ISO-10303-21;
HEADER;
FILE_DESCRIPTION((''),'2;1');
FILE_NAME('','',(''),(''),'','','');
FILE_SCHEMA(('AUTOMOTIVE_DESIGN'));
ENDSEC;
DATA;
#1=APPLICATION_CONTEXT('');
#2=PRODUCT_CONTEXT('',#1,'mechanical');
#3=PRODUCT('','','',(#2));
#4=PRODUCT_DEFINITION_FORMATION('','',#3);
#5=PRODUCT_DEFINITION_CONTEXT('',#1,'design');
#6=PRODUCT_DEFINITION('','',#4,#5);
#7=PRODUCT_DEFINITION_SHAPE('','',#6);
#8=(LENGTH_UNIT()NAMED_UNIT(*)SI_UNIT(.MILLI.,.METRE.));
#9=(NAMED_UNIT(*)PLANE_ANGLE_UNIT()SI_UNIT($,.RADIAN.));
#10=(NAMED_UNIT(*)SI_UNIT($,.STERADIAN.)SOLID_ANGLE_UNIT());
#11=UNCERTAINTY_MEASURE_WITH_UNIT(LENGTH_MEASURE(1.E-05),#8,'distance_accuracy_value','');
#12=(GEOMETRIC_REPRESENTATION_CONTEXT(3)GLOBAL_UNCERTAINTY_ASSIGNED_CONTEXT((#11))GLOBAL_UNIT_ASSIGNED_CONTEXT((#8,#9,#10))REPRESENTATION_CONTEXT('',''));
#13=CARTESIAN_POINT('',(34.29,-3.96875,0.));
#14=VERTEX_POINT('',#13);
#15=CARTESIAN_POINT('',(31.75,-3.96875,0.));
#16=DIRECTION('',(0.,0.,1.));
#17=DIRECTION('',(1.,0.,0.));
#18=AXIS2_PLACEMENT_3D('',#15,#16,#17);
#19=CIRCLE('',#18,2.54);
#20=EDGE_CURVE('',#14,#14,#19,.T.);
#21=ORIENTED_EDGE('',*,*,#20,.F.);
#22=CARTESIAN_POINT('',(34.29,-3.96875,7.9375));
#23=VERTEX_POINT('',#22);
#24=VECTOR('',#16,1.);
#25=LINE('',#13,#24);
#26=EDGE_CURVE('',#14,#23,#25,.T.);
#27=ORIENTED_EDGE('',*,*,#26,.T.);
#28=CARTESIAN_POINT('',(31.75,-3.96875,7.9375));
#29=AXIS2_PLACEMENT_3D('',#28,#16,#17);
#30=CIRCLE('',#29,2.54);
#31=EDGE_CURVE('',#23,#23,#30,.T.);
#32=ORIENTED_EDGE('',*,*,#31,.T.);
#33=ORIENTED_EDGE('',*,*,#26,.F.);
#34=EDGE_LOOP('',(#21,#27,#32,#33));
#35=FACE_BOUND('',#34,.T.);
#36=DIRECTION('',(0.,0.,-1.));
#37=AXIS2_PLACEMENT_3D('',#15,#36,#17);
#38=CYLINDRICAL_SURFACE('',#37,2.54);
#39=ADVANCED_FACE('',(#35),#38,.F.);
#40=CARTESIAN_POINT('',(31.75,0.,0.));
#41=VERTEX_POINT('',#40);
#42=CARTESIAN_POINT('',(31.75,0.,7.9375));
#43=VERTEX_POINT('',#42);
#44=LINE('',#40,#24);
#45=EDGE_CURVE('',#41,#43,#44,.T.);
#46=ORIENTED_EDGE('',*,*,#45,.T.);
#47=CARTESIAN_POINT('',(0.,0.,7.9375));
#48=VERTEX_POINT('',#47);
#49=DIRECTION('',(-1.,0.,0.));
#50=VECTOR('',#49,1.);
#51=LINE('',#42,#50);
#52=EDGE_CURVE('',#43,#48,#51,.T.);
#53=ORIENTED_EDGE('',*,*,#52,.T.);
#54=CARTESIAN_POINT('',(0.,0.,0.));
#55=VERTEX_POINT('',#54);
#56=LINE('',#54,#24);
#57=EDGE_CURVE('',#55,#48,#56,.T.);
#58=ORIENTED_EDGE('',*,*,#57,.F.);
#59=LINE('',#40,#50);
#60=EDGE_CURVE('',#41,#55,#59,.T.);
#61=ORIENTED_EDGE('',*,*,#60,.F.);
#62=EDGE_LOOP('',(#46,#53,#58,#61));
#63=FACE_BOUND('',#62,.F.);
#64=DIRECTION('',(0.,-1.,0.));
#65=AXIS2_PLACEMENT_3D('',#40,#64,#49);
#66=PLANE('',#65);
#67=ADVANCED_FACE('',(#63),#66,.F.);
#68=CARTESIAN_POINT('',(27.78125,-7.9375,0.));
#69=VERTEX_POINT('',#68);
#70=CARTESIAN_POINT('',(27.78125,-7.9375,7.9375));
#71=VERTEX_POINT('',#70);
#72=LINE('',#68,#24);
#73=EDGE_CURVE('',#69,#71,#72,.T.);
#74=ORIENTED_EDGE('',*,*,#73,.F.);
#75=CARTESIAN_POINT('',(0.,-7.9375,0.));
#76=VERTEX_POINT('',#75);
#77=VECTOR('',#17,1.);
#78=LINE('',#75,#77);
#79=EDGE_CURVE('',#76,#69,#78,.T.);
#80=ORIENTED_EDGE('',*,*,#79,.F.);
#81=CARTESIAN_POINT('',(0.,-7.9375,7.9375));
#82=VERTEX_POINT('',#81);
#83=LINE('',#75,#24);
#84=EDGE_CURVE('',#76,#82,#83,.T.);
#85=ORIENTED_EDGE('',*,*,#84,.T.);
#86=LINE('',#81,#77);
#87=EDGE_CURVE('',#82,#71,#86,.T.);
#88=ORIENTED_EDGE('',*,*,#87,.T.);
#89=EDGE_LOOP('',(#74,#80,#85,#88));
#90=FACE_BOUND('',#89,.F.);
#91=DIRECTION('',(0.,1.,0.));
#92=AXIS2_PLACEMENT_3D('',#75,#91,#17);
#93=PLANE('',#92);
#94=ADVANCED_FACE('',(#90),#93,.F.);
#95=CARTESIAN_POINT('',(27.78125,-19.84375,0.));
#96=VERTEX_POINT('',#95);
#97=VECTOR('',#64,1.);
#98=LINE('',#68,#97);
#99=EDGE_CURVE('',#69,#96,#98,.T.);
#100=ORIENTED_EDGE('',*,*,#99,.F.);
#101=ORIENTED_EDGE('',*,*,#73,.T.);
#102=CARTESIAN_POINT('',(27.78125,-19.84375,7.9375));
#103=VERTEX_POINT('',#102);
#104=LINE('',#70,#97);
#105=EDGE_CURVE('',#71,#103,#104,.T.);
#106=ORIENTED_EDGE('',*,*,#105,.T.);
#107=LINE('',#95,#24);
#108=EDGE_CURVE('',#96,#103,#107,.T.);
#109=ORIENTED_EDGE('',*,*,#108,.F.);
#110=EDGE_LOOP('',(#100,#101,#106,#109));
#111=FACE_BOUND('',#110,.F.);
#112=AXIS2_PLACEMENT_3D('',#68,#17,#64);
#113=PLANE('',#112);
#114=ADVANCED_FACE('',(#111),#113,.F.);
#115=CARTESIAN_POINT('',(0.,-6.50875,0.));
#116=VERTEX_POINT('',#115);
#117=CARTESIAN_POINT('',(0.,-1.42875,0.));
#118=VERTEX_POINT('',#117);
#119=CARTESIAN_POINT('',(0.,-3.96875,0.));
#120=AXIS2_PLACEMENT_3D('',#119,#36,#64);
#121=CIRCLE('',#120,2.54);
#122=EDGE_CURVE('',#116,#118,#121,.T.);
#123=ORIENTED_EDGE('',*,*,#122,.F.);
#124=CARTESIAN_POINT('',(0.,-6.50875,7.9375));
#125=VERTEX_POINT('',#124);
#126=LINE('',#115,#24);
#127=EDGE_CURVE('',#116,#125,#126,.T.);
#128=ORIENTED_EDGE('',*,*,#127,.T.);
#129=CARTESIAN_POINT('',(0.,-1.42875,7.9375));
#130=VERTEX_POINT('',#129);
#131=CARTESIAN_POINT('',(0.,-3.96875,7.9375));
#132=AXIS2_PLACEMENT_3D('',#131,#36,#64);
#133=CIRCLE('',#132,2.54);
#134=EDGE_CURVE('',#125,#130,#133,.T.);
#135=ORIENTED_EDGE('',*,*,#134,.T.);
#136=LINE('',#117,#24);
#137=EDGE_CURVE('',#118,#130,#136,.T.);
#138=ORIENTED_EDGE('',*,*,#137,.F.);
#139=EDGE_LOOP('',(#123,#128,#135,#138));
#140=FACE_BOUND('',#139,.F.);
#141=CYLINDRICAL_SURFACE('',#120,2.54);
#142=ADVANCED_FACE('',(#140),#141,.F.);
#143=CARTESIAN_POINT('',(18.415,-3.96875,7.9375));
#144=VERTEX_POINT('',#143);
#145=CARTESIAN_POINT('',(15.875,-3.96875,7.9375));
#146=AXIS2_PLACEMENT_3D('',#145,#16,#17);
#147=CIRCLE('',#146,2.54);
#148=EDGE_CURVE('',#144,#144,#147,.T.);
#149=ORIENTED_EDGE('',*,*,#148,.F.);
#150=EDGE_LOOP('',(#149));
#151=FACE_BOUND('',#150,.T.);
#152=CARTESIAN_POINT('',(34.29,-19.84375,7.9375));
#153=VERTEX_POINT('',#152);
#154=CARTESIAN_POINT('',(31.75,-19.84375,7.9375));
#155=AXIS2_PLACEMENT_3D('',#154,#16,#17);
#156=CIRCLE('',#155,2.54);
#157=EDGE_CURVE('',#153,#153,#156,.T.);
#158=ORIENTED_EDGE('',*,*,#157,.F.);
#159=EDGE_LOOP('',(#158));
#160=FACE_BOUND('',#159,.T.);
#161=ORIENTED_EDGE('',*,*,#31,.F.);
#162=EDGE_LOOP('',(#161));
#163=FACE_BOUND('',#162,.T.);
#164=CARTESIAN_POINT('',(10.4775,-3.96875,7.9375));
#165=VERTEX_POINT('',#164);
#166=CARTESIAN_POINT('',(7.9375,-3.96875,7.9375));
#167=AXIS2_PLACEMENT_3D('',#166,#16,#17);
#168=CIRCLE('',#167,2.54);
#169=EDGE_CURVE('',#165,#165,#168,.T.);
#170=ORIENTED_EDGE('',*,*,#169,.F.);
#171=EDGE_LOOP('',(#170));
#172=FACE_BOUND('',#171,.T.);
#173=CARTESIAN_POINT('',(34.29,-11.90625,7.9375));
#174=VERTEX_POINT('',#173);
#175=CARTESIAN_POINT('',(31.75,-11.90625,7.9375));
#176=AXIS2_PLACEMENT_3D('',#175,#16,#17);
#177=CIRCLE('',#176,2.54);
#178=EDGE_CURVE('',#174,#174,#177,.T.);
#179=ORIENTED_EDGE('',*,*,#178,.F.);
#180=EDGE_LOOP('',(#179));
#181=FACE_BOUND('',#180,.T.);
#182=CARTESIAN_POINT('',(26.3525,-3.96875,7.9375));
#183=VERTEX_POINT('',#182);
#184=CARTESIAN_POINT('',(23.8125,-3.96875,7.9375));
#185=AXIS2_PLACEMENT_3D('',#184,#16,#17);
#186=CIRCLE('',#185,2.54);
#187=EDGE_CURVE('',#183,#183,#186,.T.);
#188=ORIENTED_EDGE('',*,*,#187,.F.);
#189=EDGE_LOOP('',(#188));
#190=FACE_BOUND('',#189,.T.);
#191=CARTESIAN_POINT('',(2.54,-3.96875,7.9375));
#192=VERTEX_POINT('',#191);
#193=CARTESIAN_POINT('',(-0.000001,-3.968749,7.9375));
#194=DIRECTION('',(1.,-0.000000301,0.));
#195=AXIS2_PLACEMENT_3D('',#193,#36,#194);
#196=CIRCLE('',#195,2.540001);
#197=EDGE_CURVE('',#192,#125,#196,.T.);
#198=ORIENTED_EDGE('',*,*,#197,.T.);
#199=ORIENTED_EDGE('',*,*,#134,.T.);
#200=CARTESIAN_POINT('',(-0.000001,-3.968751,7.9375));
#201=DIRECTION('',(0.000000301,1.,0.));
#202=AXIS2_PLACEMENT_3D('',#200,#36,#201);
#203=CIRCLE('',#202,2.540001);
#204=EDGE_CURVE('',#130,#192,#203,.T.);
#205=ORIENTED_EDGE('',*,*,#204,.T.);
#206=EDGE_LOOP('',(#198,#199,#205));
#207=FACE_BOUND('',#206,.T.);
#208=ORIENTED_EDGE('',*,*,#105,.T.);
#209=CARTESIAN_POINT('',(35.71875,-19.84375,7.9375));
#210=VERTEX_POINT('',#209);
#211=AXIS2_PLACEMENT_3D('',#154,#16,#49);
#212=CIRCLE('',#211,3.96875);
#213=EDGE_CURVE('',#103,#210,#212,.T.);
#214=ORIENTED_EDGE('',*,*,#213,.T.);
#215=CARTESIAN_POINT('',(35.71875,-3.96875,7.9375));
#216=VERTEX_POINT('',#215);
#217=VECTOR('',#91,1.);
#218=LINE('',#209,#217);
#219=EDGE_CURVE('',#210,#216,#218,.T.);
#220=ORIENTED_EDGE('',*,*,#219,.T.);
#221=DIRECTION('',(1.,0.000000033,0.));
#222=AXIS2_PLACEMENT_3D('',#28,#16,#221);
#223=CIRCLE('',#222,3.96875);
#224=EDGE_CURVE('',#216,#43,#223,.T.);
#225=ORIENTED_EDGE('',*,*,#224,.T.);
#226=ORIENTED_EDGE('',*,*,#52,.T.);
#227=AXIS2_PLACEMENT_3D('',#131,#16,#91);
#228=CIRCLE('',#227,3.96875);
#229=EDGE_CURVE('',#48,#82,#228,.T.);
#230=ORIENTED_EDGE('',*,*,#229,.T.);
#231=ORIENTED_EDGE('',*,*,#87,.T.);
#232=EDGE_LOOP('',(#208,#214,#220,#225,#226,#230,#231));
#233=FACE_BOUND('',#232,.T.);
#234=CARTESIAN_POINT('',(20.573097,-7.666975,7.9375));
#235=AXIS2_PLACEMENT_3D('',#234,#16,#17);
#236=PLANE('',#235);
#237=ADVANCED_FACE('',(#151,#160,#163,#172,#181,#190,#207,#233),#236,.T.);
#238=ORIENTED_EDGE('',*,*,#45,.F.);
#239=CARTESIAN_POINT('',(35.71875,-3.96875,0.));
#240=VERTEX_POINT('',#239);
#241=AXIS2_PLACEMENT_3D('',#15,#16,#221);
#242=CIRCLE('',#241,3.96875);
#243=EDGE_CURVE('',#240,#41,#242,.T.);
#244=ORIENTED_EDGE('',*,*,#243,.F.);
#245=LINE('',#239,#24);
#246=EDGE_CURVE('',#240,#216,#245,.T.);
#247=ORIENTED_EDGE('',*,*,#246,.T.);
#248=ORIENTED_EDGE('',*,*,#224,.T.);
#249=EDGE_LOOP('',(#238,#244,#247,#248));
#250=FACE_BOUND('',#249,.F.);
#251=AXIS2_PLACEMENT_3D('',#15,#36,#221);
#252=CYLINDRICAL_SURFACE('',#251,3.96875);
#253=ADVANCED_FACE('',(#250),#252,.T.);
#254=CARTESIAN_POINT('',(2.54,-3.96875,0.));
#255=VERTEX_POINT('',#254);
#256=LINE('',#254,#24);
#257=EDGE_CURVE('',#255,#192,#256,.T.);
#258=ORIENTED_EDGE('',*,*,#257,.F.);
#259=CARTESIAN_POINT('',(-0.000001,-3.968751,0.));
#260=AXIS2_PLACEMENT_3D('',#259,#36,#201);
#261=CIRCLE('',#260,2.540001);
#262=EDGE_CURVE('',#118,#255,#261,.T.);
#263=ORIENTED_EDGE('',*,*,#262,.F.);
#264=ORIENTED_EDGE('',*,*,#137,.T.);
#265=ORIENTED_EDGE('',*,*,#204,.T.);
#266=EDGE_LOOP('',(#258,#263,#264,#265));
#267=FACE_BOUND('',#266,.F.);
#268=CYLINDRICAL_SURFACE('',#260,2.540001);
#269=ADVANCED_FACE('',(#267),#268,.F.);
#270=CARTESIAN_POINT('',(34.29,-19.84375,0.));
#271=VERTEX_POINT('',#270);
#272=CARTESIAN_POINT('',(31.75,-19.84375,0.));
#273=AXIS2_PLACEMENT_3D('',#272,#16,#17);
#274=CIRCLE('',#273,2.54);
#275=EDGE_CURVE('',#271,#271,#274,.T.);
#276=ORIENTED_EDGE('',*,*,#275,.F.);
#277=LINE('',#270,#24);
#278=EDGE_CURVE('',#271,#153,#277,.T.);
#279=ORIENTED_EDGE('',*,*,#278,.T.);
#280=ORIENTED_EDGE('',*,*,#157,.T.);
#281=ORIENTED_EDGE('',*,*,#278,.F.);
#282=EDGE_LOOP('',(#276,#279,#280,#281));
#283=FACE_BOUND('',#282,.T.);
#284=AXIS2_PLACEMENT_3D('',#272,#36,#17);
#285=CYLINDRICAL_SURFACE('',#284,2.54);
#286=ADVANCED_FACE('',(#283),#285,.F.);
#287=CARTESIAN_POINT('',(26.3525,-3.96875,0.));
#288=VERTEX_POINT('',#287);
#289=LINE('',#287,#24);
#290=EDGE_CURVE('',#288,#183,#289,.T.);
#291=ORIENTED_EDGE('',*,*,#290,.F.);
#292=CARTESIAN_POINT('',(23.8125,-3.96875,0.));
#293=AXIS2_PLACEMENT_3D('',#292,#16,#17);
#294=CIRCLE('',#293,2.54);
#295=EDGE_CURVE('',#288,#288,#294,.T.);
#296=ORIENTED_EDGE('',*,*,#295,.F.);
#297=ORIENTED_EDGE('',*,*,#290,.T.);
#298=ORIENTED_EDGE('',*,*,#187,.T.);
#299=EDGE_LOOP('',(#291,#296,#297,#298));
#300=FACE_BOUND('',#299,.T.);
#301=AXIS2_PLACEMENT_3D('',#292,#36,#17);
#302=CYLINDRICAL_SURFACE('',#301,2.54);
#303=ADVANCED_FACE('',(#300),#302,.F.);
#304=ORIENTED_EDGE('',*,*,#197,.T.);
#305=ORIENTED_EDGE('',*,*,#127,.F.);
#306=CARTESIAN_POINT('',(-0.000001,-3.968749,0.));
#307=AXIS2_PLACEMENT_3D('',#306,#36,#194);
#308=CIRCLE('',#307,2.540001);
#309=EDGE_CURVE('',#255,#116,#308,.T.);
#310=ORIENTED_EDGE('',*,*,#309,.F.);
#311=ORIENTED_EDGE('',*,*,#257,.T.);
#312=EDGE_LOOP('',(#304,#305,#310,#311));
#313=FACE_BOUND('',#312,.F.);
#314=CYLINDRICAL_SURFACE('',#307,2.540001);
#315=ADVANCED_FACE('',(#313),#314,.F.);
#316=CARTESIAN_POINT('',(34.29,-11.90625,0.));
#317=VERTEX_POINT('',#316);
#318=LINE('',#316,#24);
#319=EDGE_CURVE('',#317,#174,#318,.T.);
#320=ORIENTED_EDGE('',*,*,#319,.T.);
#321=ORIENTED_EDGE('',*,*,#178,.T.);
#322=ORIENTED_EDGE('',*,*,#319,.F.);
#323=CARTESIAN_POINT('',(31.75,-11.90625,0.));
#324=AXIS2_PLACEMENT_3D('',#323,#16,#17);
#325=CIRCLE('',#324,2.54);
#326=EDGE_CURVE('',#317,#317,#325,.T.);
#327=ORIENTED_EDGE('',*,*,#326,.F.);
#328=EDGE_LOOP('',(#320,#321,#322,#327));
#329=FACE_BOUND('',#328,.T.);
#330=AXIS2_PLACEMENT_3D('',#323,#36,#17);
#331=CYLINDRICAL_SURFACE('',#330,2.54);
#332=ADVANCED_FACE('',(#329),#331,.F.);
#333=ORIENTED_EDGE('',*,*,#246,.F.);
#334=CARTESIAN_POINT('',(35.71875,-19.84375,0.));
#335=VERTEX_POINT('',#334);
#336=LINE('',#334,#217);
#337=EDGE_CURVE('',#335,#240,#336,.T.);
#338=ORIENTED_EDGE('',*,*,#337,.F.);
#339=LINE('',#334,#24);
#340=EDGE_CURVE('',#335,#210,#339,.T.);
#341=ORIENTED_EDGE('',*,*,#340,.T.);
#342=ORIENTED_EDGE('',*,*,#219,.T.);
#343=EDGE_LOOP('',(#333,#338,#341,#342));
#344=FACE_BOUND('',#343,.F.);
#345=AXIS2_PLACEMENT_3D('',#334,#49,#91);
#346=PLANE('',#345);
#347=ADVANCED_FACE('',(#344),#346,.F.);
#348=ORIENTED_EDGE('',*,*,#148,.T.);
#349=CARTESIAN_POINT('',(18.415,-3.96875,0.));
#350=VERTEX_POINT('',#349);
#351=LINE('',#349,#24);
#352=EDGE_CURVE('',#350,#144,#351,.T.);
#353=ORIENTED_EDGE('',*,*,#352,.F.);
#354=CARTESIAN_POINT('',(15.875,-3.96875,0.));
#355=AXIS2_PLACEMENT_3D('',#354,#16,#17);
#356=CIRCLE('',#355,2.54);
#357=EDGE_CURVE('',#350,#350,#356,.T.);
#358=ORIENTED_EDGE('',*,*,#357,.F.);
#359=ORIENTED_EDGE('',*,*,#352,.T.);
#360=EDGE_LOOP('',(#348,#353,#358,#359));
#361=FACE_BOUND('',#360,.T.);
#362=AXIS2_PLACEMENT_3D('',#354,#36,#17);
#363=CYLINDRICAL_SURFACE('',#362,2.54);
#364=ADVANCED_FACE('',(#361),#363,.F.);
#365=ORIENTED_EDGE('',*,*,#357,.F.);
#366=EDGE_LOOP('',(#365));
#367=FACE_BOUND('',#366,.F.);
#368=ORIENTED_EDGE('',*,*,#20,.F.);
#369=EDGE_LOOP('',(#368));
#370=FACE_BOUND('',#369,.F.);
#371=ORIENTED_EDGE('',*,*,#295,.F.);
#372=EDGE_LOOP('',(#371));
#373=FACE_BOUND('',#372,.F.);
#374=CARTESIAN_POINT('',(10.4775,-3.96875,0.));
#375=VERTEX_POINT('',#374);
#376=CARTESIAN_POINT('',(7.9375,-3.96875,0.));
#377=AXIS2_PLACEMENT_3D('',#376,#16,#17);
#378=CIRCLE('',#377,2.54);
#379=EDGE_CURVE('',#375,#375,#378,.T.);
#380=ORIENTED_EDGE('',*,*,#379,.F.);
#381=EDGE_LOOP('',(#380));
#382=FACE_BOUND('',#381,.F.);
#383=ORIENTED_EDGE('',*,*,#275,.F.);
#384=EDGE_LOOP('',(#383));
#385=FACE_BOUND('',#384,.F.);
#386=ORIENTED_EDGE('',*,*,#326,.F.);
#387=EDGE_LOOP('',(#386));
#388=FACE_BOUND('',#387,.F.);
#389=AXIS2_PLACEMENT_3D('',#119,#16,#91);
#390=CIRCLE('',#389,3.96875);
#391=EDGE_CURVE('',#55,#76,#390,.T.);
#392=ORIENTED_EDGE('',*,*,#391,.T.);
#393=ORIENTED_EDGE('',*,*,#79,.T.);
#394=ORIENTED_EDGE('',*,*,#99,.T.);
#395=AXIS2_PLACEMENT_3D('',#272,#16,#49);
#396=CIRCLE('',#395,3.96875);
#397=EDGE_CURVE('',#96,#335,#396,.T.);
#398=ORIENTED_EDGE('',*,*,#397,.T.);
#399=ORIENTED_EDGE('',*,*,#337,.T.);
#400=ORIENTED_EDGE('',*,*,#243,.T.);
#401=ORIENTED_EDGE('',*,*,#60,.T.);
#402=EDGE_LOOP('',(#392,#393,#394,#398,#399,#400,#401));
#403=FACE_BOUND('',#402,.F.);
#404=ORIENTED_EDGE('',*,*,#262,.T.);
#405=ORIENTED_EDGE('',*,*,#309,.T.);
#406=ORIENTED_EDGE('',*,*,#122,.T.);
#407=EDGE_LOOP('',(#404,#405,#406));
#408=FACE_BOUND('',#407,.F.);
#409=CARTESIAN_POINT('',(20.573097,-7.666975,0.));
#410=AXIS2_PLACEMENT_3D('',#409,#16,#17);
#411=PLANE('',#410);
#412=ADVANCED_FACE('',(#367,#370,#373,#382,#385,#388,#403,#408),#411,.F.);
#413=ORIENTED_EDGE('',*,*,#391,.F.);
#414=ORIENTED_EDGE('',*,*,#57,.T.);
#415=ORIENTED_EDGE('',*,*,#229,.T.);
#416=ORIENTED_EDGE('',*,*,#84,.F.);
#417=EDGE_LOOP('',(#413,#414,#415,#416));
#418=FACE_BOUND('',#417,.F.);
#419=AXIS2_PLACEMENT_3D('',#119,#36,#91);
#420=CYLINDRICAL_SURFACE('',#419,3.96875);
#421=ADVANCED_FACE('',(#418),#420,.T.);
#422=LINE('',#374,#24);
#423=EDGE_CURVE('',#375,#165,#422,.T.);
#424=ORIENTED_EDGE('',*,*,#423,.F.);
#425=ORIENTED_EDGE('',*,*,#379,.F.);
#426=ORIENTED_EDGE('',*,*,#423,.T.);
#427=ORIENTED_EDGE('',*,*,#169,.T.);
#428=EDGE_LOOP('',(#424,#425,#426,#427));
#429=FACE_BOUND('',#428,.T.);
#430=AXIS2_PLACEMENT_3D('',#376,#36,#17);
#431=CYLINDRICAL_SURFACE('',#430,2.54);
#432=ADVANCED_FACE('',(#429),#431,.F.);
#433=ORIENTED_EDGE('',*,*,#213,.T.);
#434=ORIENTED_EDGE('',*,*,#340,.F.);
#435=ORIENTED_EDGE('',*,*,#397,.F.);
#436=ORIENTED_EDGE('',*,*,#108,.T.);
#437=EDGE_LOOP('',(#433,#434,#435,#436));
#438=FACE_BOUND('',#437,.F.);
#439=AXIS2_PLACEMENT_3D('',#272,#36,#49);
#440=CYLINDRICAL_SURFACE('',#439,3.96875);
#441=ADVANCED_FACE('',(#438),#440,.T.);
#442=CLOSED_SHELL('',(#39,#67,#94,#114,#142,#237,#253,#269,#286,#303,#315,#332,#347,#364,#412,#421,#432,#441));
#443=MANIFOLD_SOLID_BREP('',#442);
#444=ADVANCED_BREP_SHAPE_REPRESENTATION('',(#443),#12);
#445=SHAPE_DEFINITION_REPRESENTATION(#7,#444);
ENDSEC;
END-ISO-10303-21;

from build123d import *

# Parameters (mm, degrees)
F0_R     = 2.54
F1_DEPTH = 7.9375


with BuildPart() as f1:
    # F0 (on Top) → F1 (new body)
    with BuildSketch(Plane.XY):
        with BuildLine():
            Line((31.75, 0), (0, 0))
            Line((0, 0), (0, -1.42875))
            ThreePointArc((0, -1.42875), (1.796051, -2.172699), (2.54, -3.96875))
            ThreePointArc((2.54, -3.96875), (1.796051, -5.764801), (0, -6.50875))
            Line((0, -6.50875), (0, -7.9375))
            Line((0, -7.9375), (27.78125, -7.9375))
            Line((27.78125, -7.9375), (27.78125, -19.84375))
            ThreePointArc((27.78125, -19.84375), (31.75, -23.8125), (35.71875, -19.84375))
            Line((35.71875, -19.84375), (35.71875, -3.96875))
            ThreePointArc((35.71875, -3.96875), (34.55633, -1.16242), (31.75, 0))
        make_face()
        with Locations((31.75, -19.84375)):
            Circle(F0_R, mode=Mode.SUBTRACT)
        with Locations((7.9375, -3.96875)):
            Circle(F0_R, mode=Mode.SUBTRACT)
        with Locations((31.75, -11.90625)):
            Circle(F0_R, mode=Mode.SUBTRACT)
        with Locations((15.875, -3.96875)):
            Circle(F0_R, mode=Mode.SUBTRACT)
        with Locations((23.8125, -3.96875)):
            Circle(F0_R, mode=Mode.SUBTRACT)
        with Locations((31.75, -3.96875)):
            Circle(F0_R, mode=Mode.SUBTRACT)
        with BuildLine():
            Line((0, -1.42875), (0, 0))
            ThreePointArc((0, 0), (-3.96875, -3.96875), (0, -7.9375))
            Line((0, -7.9375), (0, -6.50875))
            ThreePointArc((0, -6.50875), (-2.54, -3.96875), (0, -1.42875))
        make_face()
    extrude(amount=F1_DEPTH)


solid = f1.part
